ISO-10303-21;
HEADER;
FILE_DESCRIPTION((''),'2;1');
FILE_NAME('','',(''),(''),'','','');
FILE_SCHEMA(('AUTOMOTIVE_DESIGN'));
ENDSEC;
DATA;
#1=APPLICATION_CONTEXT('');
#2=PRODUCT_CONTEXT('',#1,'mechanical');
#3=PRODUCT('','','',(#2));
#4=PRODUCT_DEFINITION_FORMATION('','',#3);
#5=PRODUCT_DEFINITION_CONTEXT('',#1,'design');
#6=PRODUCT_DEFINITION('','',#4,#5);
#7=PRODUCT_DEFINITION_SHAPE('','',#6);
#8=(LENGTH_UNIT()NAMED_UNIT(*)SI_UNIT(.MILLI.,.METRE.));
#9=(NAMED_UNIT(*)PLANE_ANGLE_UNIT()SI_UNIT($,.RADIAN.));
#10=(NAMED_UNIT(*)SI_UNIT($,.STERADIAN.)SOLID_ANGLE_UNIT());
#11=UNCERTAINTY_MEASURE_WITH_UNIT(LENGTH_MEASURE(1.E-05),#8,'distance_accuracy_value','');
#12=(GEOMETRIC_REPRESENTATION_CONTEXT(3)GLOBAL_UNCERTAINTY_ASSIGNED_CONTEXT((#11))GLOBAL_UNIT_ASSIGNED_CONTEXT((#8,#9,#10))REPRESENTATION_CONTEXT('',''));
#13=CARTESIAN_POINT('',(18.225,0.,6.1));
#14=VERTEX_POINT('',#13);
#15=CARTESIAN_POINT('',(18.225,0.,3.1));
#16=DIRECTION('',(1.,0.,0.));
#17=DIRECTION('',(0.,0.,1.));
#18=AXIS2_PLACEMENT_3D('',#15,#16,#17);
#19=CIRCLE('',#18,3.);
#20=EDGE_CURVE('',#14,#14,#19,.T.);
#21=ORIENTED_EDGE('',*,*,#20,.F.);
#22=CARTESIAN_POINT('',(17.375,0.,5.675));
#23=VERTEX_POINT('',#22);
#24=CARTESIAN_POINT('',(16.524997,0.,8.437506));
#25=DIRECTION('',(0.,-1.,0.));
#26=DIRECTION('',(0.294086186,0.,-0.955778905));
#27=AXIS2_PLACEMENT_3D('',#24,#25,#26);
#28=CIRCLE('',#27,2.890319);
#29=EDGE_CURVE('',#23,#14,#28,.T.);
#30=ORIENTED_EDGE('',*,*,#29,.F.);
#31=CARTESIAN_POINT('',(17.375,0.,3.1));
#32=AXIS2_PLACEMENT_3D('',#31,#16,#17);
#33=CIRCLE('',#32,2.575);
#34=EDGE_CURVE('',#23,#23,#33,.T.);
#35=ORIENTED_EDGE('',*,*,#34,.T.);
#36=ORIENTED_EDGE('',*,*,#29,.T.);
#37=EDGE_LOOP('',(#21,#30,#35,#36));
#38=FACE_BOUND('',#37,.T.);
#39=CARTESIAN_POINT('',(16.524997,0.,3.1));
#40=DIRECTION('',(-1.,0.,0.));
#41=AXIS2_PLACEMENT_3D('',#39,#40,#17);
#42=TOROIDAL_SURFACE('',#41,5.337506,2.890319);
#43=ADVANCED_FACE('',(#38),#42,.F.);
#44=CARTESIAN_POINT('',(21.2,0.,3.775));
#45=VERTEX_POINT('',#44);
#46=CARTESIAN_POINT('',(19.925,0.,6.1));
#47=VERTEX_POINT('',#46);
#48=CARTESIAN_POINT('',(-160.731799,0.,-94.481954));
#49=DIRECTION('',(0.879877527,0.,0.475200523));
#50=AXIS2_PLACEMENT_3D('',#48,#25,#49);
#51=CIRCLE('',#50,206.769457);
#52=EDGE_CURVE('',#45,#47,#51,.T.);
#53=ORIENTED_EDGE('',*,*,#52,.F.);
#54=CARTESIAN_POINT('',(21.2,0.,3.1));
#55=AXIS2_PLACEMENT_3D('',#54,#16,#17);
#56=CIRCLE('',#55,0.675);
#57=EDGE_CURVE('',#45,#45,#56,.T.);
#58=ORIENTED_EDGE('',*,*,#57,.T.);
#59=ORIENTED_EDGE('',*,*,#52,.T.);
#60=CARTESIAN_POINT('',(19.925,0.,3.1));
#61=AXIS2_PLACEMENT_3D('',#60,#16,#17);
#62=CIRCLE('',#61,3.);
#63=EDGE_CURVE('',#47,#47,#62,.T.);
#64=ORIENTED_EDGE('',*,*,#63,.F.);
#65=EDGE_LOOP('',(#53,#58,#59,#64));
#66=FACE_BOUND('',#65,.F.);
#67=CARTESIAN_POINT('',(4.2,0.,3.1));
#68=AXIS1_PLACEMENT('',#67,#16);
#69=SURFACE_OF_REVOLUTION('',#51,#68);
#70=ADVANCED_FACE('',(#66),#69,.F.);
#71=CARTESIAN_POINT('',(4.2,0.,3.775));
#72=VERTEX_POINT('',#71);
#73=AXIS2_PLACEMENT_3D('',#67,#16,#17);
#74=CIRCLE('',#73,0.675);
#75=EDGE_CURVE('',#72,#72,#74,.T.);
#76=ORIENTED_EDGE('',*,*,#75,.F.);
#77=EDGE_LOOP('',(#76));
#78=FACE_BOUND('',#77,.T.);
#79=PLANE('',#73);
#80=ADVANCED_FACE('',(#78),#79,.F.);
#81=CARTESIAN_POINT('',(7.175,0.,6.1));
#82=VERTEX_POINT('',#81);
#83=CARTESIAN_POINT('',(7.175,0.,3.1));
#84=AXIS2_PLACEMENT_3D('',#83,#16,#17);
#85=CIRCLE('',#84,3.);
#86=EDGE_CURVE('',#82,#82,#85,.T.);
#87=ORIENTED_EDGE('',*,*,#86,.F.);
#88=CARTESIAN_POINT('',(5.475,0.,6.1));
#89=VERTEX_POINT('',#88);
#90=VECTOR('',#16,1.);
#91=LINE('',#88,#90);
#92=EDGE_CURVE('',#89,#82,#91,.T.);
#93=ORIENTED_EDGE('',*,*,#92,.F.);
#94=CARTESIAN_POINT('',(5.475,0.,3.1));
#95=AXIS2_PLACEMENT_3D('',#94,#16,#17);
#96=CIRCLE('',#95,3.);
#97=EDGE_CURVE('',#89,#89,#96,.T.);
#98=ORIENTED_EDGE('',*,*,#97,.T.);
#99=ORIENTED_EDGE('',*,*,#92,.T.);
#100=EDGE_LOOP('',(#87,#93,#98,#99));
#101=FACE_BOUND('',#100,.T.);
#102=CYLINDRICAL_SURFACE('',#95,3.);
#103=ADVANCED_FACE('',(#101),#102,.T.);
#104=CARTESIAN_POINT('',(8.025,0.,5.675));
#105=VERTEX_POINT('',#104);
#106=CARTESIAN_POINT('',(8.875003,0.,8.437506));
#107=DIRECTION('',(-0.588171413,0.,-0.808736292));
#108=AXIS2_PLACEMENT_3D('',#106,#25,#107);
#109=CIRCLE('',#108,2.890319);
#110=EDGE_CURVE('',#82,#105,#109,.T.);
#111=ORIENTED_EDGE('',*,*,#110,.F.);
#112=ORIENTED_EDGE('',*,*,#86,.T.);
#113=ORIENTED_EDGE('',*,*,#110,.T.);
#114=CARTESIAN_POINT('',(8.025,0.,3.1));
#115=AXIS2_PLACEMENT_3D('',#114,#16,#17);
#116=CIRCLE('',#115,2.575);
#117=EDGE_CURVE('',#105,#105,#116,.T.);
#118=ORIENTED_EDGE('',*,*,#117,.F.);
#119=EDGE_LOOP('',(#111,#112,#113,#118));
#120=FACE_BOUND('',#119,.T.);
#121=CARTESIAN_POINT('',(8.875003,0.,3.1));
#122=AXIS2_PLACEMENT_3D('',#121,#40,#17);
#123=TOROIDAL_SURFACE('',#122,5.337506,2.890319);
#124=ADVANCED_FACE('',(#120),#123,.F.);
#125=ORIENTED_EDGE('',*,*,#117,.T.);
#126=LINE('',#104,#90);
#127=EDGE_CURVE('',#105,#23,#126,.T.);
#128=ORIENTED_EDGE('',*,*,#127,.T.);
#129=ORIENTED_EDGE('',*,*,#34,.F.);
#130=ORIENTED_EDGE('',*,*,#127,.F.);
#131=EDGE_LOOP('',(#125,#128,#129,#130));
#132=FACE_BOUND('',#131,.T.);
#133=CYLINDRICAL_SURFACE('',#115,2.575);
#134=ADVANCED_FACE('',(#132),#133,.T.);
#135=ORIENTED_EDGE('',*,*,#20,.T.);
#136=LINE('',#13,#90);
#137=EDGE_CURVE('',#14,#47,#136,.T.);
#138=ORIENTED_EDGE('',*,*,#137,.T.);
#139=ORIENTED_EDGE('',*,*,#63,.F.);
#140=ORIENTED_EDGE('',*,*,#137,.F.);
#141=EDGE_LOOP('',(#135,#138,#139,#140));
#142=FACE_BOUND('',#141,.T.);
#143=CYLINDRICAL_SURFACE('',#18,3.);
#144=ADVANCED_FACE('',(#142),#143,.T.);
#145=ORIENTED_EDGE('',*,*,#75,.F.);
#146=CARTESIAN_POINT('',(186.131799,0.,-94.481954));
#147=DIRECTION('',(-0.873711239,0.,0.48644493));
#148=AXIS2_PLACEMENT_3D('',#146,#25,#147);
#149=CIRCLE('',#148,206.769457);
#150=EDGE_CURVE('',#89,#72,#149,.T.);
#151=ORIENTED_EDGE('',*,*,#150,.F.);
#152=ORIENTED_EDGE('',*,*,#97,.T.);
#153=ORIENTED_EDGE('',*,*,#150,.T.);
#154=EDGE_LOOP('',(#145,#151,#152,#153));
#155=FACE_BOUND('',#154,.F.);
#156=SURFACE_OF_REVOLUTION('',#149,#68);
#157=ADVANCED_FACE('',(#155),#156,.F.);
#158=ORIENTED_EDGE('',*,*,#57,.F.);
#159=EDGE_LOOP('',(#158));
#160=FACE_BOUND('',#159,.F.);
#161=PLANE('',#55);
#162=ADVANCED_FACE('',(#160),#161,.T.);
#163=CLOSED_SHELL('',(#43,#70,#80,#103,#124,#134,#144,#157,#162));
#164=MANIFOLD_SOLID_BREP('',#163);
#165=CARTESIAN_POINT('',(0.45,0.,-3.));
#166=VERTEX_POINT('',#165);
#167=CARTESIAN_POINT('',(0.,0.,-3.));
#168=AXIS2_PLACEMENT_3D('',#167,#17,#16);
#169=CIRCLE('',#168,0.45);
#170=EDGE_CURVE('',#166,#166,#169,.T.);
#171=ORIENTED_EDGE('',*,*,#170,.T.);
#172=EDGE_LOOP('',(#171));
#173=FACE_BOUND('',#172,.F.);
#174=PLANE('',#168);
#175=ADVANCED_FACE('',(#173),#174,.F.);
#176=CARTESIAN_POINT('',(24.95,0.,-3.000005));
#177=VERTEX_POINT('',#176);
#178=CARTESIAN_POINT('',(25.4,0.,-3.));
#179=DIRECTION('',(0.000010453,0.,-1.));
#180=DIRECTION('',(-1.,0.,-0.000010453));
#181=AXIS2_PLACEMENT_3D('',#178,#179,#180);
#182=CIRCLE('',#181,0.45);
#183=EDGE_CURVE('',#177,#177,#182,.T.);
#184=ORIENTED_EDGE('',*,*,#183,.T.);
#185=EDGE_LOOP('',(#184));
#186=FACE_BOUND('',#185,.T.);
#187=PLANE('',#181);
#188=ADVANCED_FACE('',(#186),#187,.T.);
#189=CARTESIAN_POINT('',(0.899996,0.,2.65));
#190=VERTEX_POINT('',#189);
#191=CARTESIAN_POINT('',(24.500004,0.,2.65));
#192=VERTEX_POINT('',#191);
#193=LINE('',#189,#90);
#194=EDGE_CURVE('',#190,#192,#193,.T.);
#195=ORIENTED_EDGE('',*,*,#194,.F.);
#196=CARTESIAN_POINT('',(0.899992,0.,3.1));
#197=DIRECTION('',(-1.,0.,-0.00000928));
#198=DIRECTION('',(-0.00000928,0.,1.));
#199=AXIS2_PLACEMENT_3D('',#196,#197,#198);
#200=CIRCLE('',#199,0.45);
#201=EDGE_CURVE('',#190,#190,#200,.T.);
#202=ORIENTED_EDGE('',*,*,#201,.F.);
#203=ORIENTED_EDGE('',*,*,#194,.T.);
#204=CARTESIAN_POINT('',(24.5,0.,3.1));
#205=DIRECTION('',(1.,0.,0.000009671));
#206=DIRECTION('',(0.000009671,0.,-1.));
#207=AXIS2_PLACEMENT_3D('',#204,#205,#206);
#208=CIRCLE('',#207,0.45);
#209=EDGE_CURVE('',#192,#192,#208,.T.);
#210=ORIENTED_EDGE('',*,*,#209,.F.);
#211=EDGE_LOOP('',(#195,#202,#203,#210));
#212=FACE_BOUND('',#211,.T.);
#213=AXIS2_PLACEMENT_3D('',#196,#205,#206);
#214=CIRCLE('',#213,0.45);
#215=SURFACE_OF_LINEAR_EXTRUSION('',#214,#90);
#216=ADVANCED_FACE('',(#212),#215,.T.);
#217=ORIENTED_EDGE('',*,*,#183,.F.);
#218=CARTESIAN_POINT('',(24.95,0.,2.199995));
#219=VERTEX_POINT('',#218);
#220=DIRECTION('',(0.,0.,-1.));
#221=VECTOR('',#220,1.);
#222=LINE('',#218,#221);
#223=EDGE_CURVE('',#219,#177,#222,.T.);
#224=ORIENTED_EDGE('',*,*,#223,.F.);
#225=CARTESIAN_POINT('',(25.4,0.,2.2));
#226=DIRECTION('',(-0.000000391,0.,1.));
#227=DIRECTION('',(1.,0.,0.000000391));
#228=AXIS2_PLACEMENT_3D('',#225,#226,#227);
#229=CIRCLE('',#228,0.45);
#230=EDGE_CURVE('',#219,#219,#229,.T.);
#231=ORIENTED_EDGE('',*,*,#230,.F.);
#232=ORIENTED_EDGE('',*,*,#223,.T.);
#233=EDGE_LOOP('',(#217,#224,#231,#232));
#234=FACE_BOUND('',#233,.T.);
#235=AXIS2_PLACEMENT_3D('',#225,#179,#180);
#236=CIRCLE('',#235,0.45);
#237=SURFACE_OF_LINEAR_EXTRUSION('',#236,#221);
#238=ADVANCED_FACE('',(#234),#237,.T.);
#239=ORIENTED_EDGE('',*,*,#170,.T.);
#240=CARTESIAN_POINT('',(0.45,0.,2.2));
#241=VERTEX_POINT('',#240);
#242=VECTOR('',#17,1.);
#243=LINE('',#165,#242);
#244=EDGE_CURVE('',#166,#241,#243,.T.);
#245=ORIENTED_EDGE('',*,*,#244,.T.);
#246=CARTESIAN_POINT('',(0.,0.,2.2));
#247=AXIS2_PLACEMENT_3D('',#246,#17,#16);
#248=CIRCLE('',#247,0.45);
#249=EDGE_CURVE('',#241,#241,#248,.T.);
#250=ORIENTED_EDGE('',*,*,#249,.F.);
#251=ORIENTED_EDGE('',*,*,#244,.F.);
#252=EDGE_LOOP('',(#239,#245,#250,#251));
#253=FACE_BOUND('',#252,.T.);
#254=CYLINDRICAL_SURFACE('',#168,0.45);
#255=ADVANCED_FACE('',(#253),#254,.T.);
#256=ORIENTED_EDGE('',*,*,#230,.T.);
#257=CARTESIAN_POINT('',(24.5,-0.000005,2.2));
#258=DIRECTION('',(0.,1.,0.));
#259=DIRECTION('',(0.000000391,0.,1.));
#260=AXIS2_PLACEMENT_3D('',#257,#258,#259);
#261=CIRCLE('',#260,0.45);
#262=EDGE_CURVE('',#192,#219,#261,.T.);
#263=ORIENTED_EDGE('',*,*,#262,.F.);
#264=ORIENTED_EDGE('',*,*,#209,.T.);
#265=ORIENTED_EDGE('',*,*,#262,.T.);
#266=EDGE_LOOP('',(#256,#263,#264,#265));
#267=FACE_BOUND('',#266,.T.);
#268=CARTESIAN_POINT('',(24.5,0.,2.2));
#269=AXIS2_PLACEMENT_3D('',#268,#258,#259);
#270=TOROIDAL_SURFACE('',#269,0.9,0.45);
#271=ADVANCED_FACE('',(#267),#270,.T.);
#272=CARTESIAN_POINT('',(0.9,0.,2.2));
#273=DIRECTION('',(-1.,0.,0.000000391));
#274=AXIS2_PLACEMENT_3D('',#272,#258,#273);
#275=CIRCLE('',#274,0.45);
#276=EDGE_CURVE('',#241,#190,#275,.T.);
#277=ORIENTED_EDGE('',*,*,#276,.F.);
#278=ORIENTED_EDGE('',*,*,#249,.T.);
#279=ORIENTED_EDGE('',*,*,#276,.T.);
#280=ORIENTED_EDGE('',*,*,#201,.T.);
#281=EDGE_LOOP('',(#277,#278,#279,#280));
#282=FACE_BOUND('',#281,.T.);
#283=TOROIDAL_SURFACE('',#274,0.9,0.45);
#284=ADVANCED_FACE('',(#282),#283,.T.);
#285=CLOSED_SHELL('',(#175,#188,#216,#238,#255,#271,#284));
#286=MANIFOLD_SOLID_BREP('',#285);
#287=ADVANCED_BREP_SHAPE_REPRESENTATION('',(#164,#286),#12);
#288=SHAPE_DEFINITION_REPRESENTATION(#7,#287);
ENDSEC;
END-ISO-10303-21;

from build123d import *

# Parameters (mm, degrees)
SKETCH_R = 0.45


with BuildPart() as revolution:
    # Sketch002 → Revolution (revolve)
    with BuildSketch(Plane.XZ):
        with BuildLine():
            Line((5.475, 6.1), (7.175, 6.1))
            ThreePointArc((7.175, 6.1), (7.582413, 5.852326), (8.025, 5.675))
            Line((8.025, 5.675), (17.375, 5.675))
            ThreePointArc((17.375, 5.675), (17.817587, 5.852326), (18.225, 6.1))
            Line((18.225, 6.1), (19.925, 6.1))
            ThreePointArc((21.2, 3.775), (20.566227, 4.939544), (19.925, 6.1))
            Line((21.2, 3.1), (21.2, 3.775))
            Line((4.2, 3.1), (21.2, 3.1))
            Line((4.2, 3.1), (4.2, 3.775))
            ThreePointArc((5.475, 6.1), (4.833773, 4.939544), (4.2, 3.775))
        make_face()
    revolve(axis=Axis((4.2, 0, 3.1), (1, 0, 0)))


with BuildPart() as sweep_body:
    # Sweep: sweep along a path in Sketch001
    with BuildLine(Plane.XZ) as sweep_path:
        Line((0, -3), (0, 2.2))
        ThreePointArc((0, 2.2), (0.263601, 2.836393), (0.899992, 3.1))
        Line((0.899992, 3.1), (24.5, 3.1))
        ThreePointArc((24.5, 3.1), (25.136396, 2.836396), (25.4, 2.2))
        Line((25.4, 2.2), (25.4, -3))
    # Sketch → Sweep (sweep)
    with BuildSketch(Plane.XY.offset(-2)):
        Circle(SKETCH_R)
    sweep(path=sweep_path.line)


solid = Compound([revolution.part, sweep_body.part])
